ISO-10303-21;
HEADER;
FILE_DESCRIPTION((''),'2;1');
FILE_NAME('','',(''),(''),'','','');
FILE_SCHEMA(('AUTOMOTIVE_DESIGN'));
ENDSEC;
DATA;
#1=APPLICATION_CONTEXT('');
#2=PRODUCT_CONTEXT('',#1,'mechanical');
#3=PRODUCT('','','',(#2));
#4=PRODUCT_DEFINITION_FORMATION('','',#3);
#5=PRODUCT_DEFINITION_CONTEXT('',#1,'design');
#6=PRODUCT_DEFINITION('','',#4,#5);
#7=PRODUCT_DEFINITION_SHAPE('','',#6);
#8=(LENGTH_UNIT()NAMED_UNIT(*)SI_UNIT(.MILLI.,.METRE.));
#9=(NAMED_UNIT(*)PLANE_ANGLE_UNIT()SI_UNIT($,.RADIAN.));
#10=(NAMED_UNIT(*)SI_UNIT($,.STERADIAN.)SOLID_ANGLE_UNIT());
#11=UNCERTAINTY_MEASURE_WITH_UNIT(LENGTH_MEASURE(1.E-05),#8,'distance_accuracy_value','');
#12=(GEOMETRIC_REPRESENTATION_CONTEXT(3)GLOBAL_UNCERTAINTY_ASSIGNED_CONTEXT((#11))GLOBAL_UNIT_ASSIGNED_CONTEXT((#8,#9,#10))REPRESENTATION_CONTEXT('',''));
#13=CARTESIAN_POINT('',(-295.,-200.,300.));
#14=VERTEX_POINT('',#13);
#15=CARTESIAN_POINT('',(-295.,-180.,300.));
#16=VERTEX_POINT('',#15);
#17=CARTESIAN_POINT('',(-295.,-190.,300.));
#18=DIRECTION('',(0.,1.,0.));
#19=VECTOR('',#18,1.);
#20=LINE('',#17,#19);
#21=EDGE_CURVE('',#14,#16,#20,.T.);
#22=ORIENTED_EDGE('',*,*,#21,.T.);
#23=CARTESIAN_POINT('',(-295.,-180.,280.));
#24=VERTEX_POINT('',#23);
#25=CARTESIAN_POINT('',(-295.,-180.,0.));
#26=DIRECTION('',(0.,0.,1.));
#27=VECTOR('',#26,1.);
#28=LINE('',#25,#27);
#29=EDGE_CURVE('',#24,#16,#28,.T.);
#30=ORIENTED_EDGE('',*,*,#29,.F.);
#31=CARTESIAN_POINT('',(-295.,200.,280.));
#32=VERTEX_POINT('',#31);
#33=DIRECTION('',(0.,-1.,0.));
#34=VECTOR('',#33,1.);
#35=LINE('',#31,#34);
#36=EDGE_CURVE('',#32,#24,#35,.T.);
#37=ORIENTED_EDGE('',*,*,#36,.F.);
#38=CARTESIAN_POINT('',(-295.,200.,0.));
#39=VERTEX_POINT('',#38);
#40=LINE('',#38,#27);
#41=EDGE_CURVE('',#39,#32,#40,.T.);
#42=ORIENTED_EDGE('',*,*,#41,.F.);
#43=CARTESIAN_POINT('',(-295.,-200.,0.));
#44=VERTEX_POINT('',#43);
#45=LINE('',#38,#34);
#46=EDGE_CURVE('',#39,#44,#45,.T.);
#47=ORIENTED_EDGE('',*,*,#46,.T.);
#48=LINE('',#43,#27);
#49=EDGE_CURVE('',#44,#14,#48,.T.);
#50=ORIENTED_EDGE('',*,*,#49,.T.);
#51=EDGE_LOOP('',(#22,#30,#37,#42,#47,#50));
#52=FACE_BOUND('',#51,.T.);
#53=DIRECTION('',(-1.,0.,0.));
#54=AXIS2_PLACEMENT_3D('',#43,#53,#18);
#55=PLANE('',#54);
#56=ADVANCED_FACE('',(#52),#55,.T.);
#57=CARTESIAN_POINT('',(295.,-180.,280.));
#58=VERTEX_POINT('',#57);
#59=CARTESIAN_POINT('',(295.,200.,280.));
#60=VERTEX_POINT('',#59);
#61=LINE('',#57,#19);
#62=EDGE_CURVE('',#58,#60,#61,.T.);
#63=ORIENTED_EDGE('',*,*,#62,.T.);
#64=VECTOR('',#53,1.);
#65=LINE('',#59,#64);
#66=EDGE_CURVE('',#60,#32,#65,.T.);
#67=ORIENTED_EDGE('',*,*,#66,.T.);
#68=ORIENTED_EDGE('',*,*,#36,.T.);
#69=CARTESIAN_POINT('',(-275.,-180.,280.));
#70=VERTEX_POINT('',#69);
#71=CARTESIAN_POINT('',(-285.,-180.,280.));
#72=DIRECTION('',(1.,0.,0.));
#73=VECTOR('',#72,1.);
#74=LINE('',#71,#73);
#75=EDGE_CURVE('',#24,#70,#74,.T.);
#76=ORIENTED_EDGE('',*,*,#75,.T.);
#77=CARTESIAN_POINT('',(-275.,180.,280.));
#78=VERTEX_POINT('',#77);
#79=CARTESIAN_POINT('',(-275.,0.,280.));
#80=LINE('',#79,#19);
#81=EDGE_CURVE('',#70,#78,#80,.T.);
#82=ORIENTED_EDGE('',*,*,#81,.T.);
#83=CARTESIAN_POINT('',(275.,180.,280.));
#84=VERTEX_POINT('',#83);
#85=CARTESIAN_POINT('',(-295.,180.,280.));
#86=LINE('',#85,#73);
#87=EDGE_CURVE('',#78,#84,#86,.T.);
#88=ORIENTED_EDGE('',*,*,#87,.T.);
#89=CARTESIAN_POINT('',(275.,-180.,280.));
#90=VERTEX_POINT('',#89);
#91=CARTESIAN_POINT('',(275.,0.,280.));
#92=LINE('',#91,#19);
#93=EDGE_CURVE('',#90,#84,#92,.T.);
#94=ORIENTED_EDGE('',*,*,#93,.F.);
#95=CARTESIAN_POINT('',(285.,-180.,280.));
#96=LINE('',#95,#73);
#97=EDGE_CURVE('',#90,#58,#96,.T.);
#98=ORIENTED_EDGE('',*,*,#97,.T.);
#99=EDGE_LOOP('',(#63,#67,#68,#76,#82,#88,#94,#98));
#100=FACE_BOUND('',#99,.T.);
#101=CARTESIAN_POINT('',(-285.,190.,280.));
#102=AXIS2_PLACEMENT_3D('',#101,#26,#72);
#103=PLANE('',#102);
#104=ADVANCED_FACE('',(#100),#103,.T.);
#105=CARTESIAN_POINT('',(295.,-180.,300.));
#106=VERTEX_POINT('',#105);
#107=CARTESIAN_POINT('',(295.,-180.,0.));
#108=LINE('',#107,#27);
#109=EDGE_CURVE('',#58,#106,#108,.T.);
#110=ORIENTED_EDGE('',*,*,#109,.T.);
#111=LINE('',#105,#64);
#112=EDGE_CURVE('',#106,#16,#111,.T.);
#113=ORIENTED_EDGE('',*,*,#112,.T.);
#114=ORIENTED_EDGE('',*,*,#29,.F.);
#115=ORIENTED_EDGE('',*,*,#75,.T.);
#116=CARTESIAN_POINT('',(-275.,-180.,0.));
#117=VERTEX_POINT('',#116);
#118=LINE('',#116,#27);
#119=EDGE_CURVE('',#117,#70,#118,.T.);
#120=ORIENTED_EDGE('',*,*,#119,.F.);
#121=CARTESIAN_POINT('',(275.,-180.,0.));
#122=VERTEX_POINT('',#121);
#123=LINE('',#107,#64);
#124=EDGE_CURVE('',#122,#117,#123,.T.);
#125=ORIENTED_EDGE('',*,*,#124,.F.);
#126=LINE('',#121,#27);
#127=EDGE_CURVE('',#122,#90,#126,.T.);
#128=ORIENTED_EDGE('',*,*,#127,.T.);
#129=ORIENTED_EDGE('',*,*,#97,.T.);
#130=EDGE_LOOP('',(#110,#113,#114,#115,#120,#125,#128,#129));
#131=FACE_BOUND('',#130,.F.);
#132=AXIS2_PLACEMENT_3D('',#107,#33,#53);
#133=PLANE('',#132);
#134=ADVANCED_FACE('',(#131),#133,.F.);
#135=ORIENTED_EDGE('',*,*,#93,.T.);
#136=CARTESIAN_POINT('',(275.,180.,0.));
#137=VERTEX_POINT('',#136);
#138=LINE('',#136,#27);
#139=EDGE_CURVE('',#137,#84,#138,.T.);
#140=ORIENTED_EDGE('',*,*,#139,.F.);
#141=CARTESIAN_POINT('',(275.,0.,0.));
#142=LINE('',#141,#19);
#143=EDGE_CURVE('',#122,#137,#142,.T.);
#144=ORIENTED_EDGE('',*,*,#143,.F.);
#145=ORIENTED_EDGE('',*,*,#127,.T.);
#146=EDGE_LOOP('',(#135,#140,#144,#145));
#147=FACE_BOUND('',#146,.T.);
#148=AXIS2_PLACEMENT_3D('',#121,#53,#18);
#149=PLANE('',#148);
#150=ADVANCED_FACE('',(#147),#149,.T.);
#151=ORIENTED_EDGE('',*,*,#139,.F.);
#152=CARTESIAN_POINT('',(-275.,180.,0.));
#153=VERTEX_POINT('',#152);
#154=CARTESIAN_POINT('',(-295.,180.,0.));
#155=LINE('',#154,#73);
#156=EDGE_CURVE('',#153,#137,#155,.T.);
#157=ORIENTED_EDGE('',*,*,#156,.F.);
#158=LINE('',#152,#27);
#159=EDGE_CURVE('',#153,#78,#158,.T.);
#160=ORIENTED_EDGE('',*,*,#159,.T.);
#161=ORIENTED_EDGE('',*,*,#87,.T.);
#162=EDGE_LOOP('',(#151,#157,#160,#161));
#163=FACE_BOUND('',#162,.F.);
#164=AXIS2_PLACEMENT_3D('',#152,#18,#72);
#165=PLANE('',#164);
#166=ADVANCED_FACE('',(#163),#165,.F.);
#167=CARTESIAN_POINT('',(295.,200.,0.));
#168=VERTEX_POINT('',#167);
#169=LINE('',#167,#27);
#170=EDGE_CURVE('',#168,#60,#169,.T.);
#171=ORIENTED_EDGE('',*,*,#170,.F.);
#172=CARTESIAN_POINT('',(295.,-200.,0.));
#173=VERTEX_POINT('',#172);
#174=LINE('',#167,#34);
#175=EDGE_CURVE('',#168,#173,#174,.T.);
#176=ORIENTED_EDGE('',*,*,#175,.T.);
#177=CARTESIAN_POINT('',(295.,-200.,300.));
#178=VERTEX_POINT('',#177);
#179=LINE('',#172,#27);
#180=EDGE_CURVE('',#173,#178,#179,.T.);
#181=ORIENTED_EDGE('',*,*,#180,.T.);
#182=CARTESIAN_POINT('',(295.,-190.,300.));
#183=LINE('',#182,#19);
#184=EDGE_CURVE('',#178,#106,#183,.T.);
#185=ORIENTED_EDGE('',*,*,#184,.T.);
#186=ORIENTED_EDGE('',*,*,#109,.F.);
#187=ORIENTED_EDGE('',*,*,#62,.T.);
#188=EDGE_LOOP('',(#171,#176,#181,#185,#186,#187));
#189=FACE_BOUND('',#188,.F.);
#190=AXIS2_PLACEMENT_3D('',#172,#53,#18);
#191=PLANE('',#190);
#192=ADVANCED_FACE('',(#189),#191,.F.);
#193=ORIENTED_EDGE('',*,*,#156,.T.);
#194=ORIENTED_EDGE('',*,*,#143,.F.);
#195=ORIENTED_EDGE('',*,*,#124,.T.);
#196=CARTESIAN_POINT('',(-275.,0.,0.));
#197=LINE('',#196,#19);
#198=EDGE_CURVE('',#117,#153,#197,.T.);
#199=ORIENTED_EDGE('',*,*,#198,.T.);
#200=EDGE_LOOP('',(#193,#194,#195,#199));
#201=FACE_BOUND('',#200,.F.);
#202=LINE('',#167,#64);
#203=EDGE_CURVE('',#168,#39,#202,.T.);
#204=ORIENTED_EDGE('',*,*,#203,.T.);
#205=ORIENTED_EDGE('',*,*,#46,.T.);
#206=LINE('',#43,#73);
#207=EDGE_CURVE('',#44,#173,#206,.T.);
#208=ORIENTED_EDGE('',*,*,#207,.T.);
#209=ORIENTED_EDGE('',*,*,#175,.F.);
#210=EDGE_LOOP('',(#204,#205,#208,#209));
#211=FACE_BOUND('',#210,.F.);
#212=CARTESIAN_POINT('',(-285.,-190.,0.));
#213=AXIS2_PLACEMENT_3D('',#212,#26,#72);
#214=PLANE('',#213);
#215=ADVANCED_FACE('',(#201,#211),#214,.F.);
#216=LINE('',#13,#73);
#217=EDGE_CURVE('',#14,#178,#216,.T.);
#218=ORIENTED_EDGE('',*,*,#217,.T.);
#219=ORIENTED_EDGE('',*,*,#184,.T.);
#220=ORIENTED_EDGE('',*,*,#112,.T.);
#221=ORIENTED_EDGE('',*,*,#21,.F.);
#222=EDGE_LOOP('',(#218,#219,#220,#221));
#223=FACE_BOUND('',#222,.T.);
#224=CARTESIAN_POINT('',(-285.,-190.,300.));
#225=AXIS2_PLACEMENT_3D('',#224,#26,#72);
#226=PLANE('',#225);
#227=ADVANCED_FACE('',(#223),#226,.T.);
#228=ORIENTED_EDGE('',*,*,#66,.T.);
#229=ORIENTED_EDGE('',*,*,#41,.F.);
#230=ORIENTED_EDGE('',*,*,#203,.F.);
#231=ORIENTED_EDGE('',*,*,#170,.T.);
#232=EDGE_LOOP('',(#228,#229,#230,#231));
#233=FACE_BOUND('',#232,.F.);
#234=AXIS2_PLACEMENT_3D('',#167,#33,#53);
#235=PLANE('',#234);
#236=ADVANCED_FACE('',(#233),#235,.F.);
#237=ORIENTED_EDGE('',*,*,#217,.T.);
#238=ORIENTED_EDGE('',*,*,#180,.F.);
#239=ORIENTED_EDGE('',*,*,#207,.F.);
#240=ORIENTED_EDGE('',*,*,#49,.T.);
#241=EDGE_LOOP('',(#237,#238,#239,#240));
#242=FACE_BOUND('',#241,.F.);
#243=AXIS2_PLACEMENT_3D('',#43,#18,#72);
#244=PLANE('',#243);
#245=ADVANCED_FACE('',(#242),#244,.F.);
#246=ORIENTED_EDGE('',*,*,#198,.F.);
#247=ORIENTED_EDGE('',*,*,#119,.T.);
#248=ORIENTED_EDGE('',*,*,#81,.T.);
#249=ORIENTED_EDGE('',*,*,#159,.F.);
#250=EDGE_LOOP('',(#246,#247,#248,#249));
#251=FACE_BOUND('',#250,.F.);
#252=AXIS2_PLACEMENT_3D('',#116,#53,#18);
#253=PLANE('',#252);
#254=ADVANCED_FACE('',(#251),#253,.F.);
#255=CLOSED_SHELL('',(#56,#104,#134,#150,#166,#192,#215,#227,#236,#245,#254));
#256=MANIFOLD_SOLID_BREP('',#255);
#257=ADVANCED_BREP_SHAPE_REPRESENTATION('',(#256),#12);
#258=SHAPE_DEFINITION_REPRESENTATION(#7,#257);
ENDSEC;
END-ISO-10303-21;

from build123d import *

# Parameters (mm, degrees)
F0_W     = 20
F0_H     = 20
F0_W_2   = 550
F0_H_2   = 360
F1_DEPTH = 280
F2_DEPTH = 300


with BuildPart() as f1:
    # F0 (on Top) → F1 (new body)
    with BuildSketch(Plane.XY):
        with Locations((-285, 190)):
            Rectangle(F0_W, F0_H)
        with Locations((285, 190)):
            Rectangle(F0_W, F0_H)
        with Locations((0, 190)):
            Rectangle(F0_W_2, F0_H)
        with Locations((-285, 0)):
            Rectangle(F0_W, F0_H_2)
        with Locations((285, 0)):
            Rectangle(F0_W, F0_H_2)
    extrude(amount=F1_DEPTH)

    # F0 (on Top) → F2 (join)
    with BuildSketch(Plane.XY):
        with Locations((-285, -190)):
            Rectangle(F0_W, F0_H)
        with Locations((0, -190)):
            Rectangle(F0_W_2, F0_H)
        with Locations((285, -190)):
            Rectangle(F0_W, F0_H)
    extrude(amount=F2_DEPTH)


solid = f1.part
